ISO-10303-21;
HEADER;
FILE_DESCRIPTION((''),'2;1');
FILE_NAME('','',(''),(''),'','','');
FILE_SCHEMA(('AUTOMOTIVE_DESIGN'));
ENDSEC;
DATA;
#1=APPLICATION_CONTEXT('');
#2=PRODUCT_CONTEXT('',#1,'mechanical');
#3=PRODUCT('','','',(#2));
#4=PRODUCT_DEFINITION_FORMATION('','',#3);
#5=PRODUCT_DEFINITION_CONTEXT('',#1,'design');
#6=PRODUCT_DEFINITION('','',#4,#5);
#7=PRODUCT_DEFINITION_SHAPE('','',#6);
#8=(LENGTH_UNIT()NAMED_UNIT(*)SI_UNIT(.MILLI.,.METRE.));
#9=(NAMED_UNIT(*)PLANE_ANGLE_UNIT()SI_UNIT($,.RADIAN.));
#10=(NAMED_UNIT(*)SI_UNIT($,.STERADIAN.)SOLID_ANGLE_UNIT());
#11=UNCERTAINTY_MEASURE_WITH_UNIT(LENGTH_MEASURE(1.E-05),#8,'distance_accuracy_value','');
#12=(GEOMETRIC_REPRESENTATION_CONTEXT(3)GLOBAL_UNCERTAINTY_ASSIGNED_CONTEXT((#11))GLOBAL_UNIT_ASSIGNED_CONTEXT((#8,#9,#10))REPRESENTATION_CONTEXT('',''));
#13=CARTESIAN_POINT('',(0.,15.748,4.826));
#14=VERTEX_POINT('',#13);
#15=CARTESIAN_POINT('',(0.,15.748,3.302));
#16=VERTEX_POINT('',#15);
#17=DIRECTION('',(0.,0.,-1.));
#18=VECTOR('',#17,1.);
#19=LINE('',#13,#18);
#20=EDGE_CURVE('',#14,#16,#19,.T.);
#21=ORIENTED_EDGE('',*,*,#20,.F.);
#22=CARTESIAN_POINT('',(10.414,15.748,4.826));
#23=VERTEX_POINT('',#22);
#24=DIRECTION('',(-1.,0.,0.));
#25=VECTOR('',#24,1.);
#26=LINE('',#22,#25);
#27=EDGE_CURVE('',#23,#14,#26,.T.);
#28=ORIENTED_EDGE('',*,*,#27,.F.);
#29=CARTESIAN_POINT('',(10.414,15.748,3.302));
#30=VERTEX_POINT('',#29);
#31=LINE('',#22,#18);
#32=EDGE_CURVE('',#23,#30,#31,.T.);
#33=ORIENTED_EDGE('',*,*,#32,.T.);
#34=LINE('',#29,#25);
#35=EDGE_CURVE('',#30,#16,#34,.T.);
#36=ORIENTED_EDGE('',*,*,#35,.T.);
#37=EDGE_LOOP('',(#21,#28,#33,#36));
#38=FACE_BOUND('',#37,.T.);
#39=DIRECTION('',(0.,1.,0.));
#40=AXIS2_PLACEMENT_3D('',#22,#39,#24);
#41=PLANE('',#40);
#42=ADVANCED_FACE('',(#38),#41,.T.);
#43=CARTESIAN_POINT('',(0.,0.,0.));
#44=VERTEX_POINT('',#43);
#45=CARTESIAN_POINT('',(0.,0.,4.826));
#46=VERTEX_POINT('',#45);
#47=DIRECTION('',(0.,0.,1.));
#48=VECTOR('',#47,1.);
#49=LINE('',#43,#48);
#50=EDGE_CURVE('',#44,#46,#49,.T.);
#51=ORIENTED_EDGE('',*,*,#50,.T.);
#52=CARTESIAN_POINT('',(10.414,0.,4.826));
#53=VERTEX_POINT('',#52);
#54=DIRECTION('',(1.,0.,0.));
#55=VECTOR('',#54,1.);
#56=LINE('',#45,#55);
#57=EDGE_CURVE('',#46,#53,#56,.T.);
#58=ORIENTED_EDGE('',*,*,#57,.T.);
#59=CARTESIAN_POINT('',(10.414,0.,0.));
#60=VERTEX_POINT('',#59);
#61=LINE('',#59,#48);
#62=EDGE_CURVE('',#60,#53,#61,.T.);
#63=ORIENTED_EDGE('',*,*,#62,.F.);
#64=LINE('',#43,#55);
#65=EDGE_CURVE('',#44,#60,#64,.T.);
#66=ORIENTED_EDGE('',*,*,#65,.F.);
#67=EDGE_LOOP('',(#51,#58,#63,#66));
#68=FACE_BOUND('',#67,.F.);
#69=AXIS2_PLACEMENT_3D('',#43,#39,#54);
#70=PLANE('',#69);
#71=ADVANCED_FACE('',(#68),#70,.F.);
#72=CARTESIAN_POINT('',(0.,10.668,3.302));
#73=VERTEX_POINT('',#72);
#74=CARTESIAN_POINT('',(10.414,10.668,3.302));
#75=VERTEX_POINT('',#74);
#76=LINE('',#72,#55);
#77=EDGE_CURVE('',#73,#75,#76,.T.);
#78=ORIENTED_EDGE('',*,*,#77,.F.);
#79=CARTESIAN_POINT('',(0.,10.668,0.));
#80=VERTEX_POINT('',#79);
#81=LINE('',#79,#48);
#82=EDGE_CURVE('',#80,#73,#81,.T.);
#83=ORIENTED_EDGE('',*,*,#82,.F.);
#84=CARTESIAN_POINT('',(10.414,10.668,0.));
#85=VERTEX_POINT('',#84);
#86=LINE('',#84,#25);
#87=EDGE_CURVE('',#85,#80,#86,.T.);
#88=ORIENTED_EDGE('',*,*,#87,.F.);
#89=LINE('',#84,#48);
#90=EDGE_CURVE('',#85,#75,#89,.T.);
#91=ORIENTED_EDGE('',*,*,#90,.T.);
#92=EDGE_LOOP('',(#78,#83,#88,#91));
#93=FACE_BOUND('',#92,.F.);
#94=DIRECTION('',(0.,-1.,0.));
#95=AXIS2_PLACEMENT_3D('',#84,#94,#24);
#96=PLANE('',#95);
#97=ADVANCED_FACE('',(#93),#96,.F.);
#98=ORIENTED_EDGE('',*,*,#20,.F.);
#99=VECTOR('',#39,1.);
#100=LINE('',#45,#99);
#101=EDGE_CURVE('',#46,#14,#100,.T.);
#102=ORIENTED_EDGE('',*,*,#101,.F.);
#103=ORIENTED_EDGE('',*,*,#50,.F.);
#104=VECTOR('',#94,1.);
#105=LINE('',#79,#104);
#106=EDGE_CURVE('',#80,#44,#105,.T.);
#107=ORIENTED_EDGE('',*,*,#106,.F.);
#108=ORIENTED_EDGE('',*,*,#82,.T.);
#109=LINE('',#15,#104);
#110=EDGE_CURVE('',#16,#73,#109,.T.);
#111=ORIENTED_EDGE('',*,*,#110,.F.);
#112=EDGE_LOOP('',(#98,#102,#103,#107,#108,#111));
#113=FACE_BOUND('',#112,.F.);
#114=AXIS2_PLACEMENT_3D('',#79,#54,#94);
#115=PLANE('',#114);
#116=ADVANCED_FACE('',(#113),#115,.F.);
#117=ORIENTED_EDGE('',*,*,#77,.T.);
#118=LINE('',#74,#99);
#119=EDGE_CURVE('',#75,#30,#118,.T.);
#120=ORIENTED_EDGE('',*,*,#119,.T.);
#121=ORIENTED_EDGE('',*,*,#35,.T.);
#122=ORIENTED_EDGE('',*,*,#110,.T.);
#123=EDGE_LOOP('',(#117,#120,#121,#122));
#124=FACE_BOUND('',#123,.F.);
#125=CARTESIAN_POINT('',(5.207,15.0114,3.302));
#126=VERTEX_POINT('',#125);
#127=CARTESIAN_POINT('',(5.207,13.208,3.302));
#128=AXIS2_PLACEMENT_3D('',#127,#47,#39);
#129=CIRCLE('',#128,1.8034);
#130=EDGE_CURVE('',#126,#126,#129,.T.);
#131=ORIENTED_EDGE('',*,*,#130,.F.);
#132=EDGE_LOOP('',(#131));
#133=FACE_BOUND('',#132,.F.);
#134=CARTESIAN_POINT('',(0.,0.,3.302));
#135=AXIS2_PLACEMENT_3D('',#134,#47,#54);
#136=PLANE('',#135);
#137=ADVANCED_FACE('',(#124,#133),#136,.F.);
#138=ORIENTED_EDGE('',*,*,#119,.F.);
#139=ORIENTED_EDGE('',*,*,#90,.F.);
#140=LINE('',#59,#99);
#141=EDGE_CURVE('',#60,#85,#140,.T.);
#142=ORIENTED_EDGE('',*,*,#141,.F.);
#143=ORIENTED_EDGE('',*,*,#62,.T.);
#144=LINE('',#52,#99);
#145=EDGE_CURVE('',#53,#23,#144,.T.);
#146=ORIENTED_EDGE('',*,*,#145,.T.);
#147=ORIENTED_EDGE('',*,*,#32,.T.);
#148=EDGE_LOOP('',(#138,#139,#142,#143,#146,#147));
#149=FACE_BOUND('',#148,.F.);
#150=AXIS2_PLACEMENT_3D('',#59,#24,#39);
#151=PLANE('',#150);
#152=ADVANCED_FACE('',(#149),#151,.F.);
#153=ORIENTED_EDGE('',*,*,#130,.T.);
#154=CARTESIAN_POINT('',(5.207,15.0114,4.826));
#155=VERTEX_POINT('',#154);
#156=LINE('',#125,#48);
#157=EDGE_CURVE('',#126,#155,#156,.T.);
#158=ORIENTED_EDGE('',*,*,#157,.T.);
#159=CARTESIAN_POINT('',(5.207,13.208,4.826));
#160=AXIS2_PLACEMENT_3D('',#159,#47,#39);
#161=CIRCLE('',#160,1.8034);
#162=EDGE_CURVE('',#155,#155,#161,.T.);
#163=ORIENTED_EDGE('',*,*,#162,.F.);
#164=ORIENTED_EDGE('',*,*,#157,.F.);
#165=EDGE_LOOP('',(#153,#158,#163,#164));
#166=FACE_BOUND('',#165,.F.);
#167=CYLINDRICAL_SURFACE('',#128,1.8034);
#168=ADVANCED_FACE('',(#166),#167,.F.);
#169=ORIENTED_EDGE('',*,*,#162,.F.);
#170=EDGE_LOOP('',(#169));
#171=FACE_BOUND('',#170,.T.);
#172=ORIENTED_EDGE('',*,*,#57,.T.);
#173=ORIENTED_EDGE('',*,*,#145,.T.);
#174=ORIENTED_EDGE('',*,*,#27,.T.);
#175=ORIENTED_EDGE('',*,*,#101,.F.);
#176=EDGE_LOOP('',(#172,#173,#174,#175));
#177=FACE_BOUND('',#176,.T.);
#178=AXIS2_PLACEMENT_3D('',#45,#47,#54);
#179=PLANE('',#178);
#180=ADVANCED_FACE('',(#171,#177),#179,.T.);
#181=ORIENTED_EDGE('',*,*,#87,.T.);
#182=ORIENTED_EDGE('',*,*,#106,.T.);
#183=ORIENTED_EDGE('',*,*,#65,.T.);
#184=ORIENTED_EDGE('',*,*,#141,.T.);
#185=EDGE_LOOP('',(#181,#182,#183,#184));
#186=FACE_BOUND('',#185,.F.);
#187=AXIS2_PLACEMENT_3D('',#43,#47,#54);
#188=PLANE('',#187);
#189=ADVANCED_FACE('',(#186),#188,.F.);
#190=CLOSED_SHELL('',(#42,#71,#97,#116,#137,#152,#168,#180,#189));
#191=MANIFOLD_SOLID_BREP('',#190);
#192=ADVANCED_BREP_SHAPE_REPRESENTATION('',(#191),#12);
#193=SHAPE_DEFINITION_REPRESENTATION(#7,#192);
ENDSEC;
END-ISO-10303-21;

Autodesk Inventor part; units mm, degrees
ref_plane "YZ Plane" through (0, 0, 0) normal (1, 0, 0) x (0, 1, 0)
ref_plane "XZ Plane" through (0, 0, 0) normal (0, 1, 0) x (-1, 0, 0)
ref_plane "XY Plane" through (0, 0, 0) normal (0, 0, 1) x (1, 0, 0)
sketch "Sketch1" plane through (0, 0, 0) normal (0, 0, 1) x (1, 0, 0)
  line L0 (0, 0) -> (10.414, 0)
  line L1 (10.414, 0) -> (10.414, 10.668)
  line L2 (10.414, 10.668) -> (0, 10.668)
  line L3 (0, 10.668) -> (0, 0)
  dimension "d0" = 10.414
  dimension "d1" = 10.668
extrude "Extrusion1" add sketch "Sketch1" along normal blind 4.826
sketch "Sketch2" plane through (0, 0, 4.826) normal (0, 0, 1) x (1, 0, 0)
  line L0 (10.414, 10.668) -> (10.414, 0) projected
  line L1 (0, 10.668) -> (10.414, 10.668)
  line L2 (10.414, 10.668) -> (10.414, 15.748)
  line L3 (10.414, 15.748) -> (0, 15.748)
  line L4 (0, 15.748) -> (0, 10.668)
  point P0 (10.414, 5.334)
  dimension "d4" = 5.08
extrude "Extrusion2" add sketch "Sketch2" against normal blind 1.524
sketch "Sketch3" plane through (0, 0, 3.302) normal (0, 0, -1) x (-1, 0, 0)
  line L0 (0, 0) -> (-10.414, 0) projected
  point P0 (-5.207, 13.208)
  dimension "d7" = 13.208
hole "Hole1" at (5.207, 13.208, 3.302) direction (0, 0, 1) diameter 3.6068 end through all
properties part number "NMOS" material "ABS Plastic"
